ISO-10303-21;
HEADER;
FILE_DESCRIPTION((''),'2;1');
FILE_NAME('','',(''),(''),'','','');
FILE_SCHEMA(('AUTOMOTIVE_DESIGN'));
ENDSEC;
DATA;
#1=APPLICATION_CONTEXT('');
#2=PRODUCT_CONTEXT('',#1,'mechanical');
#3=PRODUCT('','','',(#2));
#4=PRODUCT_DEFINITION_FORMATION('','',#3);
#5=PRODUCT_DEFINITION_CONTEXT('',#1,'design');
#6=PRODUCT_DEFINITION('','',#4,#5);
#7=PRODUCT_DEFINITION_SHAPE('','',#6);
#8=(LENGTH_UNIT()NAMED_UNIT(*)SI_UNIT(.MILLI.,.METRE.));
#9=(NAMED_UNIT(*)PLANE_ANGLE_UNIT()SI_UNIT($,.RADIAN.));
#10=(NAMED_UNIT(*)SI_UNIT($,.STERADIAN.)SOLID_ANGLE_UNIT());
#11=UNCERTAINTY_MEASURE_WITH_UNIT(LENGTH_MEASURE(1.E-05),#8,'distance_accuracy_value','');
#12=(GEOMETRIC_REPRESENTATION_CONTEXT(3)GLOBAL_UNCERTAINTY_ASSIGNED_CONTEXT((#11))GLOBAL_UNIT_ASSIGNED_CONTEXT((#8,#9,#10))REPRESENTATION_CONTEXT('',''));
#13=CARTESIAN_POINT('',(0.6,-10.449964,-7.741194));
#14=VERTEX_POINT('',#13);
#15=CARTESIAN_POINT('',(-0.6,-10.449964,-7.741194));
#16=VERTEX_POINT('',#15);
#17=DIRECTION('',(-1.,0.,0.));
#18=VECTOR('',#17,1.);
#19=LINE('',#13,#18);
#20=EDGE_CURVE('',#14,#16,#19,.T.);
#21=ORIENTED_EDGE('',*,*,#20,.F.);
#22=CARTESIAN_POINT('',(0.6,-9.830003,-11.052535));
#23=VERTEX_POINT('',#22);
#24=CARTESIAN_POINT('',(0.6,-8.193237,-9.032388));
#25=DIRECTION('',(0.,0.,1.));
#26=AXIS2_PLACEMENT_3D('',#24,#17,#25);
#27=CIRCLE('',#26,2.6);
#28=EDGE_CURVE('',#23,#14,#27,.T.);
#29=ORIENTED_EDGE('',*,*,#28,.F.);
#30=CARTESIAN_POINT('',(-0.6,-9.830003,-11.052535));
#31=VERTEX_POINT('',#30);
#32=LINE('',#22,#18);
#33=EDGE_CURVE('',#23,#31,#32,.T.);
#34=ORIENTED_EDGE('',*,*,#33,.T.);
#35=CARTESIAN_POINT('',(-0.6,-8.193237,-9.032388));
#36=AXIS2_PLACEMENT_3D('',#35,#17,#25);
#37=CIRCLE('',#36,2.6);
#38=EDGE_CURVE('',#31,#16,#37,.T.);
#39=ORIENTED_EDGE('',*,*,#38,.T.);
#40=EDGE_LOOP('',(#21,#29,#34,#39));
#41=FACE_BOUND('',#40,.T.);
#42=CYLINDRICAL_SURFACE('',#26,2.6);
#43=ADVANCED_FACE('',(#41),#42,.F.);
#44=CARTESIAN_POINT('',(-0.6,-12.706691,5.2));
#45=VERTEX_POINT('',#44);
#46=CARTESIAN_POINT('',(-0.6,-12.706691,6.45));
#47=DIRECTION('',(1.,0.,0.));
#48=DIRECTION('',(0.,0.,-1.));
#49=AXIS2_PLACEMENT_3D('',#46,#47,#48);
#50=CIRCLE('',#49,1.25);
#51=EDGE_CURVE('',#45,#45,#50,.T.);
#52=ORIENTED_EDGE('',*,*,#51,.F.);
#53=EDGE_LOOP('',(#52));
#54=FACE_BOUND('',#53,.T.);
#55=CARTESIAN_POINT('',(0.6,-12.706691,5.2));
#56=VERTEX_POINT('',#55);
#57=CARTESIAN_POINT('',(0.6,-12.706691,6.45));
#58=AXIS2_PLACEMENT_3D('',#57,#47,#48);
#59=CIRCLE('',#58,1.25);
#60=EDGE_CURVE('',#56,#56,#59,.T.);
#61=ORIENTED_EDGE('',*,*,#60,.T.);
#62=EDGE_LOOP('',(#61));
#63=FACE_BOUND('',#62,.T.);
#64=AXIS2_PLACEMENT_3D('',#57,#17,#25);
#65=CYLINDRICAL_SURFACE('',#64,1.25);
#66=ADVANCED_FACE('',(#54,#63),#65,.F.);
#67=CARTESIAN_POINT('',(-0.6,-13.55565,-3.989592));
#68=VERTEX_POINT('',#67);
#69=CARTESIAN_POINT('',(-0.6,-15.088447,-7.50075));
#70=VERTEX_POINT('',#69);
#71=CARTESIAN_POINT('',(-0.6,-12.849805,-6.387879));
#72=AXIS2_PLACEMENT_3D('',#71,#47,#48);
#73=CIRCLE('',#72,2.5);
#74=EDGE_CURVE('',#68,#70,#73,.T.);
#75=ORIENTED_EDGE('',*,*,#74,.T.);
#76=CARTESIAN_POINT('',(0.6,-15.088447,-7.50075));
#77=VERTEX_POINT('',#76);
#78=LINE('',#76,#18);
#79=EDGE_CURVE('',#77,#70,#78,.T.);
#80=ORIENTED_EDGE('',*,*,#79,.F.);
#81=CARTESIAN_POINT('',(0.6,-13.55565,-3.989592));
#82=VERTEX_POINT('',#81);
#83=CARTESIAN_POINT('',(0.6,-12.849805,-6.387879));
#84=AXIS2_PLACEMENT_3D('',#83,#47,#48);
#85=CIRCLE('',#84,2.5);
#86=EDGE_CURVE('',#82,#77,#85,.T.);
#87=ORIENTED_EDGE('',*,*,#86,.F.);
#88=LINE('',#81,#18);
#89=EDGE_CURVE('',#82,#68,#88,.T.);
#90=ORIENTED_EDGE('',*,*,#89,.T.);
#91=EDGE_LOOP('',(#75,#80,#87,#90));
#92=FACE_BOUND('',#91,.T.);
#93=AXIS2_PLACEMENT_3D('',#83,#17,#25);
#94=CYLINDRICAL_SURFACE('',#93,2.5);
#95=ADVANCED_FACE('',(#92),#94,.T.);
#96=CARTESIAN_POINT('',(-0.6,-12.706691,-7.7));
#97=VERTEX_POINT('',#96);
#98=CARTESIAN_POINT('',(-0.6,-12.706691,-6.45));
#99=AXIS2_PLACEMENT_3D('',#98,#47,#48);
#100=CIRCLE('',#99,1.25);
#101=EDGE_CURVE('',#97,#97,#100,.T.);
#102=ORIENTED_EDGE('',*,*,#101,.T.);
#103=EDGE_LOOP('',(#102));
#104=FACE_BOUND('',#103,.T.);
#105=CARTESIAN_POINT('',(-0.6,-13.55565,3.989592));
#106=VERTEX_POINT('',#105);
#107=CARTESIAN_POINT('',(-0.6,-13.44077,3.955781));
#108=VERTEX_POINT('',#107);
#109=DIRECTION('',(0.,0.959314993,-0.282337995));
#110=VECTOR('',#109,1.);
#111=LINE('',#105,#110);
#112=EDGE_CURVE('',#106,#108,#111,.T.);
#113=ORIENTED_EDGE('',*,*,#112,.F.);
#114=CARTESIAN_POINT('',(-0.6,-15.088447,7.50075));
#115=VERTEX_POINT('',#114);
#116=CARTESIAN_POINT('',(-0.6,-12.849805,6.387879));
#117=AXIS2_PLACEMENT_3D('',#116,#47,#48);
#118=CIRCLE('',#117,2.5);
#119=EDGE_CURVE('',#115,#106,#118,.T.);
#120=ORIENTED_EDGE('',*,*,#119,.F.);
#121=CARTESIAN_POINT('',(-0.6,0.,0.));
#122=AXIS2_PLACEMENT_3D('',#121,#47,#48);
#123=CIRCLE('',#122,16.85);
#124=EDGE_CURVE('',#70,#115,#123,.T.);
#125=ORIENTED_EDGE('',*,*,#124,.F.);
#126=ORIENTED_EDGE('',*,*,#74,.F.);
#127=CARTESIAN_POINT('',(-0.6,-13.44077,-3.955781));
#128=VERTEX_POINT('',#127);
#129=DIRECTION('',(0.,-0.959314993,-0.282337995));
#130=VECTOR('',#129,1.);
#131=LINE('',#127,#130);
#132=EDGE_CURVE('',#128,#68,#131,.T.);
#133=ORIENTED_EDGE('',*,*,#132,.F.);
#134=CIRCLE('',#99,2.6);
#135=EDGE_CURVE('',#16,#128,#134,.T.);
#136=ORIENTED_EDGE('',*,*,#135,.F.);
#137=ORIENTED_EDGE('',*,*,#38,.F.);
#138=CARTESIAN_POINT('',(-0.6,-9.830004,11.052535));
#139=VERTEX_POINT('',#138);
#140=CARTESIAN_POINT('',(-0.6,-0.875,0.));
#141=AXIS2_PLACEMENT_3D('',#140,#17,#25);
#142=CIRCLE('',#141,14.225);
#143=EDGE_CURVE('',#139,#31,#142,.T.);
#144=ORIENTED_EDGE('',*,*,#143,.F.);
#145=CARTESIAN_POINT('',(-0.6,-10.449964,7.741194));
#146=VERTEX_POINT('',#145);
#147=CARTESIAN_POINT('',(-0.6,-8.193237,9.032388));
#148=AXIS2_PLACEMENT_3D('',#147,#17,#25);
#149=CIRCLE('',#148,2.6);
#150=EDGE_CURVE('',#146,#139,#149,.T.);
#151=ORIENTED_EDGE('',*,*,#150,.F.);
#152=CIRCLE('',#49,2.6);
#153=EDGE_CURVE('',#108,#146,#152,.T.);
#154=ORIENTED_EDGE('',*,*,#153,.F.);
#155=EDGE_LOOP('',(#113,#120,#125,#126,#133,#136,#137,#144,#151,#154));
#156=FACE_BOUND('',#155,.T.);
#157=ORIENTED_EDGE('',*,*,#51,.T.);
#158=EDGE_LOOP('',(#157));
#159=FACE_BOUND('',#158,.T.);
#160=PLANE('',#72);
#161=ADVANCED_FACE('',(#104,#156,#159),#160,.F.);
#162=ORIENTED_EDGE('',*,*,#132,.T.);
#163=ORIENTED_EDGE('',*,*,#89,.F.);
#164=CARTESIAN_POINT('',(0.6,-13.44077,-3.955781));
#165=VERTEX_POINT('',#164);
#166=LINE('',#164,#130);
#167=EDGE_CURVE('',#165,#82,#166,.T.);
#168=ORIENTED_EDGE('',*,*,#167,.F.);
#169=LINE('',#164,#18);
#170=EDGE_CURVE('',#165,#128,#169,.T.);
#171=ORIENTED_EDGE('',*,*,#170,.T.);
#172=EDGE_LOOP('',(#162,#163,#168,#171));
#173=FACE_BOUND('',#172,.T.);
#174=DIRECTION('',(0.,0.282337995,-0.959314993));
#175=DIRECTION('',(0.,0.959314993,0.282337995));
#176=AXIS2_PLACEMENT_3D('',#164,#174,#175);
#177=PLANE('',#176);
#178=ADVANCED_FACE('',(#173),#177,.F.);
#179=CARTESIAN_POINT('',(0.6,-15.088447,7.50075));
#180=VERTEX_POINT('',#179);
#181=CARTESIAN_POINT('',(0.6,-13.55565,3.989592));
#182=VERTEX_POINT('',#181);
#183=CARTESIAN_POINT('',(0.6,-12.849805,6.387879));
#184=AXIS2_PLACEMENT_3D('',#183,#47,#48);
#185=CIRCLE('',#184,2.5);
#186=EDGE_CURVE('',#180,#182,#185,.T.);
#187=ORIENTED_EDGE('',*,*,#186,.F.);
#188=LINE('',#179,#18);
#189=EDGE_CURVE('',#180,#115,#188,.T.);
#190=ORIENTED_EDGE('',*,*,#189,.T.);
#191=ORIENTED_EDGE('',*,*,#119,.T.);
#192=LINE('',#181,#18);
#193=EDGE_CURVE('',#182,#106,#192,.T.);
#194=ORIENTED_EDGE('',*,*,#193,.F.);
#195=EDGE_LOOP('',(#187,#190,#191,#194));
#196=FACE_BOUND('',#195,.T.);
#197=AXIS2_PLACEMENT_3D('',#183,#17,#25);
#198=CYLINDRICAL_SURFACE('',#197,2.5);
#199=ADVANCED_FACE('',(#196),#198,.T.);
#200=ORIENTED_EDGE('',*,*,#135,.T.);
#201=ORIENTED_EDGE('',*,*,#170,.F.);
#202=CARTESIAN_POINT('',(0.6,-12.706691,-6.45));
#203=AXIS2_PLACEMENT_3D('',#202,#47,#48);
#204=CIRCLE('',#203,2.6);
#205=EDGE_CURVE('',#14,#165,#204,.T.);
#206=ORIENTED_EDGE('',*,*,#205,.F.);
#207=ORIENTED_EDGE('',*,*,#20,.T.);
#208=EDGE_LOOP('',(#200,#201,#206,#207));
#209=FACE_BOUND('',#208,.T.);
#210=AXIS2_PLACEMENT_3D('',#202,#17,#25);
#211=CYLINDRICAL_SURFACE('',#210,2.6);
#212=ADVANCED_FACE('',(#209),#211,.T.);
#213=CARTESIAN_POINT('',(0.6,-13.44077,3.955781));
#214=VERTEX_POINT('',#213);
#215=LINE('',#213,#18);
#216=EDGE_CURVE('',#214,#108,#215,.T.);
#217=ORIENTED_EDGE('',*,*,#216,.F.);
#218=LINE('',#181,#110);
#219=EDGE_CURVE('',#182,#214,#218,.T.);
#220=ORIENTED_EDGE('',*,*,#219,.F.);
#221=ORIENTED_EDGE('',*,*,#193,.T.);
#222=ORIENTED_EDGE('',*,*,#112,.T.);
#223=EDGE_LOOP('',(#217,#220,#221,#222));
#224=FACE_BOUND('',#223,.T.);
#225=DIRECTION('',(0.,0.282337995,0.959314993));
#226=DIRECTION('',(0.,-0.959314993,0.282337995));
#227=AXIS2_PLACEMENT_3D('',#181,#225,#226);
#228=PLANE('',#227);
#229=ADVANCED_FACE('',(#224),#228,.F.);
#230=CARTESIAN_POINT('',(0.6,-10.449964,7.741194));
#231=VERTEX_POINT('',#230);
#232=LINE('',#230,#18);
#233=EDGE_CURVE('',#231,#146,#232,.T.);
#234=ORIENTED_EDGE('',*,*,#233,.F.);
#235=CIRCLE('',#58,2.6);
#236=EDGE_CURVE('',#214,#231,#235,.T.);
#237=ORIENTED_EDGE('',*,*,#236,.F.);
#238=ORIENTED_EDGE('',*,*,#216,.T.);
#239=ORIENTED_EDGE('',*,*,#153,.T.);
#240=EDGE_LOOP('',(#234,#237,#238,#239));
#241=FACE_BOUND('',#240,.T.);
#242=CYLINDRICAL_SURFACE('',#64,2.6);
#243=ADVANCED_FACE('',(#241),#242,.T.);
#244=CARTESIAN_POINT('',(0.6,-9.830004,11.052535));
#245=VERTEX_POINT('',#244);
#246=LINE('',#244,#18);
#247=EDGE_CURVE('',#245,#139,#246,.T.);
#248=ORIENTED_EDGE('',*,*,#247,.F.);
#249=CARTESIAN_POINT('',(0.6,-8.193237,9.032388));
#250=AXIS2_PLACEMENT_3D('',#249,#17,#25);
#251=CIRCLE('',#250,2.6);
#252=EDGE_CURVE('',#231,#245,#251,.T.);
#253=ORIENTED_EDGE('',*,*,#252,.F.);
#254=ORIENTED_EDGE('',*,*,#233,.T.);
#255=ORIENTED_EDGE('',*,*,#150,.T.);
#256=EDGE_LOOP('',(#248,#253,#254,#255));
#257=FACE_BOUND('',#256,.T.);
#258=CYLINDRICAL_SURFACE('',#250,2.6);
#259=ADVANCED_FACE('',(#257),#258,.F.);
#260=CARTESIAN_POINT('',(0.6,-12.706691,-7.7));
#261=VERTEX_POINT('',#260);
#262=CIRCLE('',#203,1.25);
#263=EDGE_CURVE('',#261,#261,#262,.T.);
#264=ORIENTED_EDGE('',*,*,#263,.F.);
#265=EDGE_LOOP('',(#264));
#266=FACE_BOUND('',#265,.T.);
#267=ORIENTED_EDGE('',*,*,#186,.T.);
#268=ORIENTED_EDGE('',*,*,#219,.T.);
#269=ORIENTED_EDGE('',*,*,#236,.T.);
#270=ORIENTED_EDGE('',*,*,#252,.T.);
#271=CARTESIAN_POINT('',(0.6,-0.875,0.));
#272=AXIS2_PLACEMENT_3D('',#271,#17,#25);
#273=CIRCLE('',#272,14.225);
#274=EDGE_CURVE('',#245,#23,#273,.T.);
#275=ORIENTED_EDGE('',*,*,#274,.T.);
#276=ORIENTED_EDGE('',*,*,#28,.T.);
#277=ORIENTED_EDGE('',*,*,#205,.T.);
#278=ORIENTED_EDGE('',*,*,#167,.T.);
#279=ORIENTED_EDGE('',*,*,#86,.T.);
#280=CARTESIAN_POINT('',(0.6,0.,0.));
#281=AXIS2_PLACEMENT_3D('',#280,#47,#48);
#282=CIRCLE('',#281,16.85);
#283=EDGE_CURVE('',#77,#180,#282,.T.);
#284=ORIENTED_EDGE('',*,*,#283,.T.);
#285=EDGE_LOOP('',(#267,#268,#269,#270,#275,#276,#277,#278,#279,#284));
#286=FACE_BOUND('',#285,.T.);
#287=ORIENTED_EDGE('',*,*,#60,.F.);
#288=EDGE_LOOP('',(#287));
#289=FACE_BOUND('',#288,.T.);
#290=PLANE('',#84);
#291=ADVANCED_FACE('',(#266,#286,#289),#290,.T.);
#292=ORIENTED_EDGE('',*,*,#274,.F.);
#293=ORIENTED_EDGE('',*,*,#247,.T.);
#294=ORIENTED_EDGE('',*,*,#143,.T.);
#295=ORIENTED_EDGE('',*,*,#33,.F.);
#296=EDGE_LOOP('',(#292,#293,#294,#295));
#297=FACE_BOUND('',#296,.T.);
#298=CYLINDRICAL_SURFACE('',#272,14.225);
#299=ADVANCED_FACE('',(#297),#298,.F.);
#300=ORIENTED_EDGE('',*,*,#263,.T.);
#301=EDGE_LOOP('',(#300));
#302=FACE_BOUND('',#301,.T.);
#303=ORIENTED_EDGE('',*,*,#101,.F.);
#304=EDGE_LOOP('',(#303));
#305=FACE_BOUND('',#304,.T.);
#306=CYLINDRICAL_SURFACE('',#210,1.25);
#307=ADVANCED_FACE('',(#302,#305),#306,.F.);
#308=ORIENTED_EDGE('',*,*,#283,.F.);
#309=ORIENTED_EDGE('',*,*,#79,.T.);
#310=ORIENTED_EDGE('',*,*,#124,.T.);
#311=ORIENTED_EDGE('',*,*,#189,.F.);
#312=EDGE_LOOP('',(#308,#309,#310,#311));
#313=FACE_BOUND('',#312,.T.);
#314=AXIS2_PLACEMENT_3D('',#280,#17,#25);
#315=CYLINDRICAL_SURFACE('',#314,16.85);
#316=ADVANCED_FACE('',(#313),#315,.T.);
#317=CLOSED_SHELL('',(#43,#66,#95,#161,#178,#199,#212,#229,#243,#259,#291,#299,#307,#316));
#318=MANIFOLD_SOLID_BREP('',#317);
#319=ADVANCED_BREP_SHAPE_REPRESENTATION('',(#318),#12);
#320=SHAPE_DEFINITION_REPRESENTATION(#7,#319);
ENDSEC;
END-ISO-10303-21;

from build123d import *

# Parameters (mm, degrees)
EXTRUDE_1_DEPTH      = 0.6
EXTRUDE_1_DEPTH_BACK = 0.6
SKETCH_1_R           = 1.25


with BuildPart() as part:
    # ｽｹｯﾁ1 → ﾎﾞｽ - 押し出し1 (new, two sides: drawn at the far end of the back side and taken through both)
    with BuildSketch(Plane(origin=(0, 0, 0), x_dir=(0, 0, -1), z_dir=(1, 0, 0)).offset(-EXTRUDE_1_DEPTH_BACK)):
        with BuildLine():
            Line((-3.989591726, -13.555650403), (-3.955781017, -13.440769939))
            ThreePointArc((-3.955781017, -13.440769939), (-4.838154074, -10.666604704), (-7.741194161, -10.449963955))
            ThreePointArc((-7.741194161, -10.449963955), (-9.510855368, -10.748832352), (-11.052535247, -9.830003608))
            ThreePointArc((-11.052535247, -9.830003608), (-1.19e-07, 13.35), (11.052535397, -9.830003423))
            ThreePointArc((11.052535397, -9.830003423), (9.510855453, -10.748832336), (7.741194103, -10.449963921))
            ThreePointArc((7.741194103, -10.449963921), (4.838154048, -10.666604724), (3.955781017, -13.440769939))
            Line((3.955781017, -13.440769939), (3.989591726, -13.555650403))
            ThreePointArc((3.989591726, -13.555650403), (5.387658916, -15.140997106), (7.500750152, -15.088447473))
            ThreePointArc((7.500750152, -15.088447473), (0, 16.85), (-7.500750152, -15.088447473))
            ThreePointArc((-7.500750152, -15.088447473), (-5.387658916, -15.140997106), (-3.989591726, -13.555650403))
        make_face()
        with Locations((6.45, -12.706691151)):
            Circle(SKETCH_1_R, mode=Mode.SUBTRACT)
        with Locations((-6.45, -12.706691151)):
            Circle(SKETCH_1_R, mode=Mode.SUBTRACT)
    extrude(amount=EXTRUDE_1_DEPTH + EXTRUDE_1_DEPTH_BACK)


solid = part.part
